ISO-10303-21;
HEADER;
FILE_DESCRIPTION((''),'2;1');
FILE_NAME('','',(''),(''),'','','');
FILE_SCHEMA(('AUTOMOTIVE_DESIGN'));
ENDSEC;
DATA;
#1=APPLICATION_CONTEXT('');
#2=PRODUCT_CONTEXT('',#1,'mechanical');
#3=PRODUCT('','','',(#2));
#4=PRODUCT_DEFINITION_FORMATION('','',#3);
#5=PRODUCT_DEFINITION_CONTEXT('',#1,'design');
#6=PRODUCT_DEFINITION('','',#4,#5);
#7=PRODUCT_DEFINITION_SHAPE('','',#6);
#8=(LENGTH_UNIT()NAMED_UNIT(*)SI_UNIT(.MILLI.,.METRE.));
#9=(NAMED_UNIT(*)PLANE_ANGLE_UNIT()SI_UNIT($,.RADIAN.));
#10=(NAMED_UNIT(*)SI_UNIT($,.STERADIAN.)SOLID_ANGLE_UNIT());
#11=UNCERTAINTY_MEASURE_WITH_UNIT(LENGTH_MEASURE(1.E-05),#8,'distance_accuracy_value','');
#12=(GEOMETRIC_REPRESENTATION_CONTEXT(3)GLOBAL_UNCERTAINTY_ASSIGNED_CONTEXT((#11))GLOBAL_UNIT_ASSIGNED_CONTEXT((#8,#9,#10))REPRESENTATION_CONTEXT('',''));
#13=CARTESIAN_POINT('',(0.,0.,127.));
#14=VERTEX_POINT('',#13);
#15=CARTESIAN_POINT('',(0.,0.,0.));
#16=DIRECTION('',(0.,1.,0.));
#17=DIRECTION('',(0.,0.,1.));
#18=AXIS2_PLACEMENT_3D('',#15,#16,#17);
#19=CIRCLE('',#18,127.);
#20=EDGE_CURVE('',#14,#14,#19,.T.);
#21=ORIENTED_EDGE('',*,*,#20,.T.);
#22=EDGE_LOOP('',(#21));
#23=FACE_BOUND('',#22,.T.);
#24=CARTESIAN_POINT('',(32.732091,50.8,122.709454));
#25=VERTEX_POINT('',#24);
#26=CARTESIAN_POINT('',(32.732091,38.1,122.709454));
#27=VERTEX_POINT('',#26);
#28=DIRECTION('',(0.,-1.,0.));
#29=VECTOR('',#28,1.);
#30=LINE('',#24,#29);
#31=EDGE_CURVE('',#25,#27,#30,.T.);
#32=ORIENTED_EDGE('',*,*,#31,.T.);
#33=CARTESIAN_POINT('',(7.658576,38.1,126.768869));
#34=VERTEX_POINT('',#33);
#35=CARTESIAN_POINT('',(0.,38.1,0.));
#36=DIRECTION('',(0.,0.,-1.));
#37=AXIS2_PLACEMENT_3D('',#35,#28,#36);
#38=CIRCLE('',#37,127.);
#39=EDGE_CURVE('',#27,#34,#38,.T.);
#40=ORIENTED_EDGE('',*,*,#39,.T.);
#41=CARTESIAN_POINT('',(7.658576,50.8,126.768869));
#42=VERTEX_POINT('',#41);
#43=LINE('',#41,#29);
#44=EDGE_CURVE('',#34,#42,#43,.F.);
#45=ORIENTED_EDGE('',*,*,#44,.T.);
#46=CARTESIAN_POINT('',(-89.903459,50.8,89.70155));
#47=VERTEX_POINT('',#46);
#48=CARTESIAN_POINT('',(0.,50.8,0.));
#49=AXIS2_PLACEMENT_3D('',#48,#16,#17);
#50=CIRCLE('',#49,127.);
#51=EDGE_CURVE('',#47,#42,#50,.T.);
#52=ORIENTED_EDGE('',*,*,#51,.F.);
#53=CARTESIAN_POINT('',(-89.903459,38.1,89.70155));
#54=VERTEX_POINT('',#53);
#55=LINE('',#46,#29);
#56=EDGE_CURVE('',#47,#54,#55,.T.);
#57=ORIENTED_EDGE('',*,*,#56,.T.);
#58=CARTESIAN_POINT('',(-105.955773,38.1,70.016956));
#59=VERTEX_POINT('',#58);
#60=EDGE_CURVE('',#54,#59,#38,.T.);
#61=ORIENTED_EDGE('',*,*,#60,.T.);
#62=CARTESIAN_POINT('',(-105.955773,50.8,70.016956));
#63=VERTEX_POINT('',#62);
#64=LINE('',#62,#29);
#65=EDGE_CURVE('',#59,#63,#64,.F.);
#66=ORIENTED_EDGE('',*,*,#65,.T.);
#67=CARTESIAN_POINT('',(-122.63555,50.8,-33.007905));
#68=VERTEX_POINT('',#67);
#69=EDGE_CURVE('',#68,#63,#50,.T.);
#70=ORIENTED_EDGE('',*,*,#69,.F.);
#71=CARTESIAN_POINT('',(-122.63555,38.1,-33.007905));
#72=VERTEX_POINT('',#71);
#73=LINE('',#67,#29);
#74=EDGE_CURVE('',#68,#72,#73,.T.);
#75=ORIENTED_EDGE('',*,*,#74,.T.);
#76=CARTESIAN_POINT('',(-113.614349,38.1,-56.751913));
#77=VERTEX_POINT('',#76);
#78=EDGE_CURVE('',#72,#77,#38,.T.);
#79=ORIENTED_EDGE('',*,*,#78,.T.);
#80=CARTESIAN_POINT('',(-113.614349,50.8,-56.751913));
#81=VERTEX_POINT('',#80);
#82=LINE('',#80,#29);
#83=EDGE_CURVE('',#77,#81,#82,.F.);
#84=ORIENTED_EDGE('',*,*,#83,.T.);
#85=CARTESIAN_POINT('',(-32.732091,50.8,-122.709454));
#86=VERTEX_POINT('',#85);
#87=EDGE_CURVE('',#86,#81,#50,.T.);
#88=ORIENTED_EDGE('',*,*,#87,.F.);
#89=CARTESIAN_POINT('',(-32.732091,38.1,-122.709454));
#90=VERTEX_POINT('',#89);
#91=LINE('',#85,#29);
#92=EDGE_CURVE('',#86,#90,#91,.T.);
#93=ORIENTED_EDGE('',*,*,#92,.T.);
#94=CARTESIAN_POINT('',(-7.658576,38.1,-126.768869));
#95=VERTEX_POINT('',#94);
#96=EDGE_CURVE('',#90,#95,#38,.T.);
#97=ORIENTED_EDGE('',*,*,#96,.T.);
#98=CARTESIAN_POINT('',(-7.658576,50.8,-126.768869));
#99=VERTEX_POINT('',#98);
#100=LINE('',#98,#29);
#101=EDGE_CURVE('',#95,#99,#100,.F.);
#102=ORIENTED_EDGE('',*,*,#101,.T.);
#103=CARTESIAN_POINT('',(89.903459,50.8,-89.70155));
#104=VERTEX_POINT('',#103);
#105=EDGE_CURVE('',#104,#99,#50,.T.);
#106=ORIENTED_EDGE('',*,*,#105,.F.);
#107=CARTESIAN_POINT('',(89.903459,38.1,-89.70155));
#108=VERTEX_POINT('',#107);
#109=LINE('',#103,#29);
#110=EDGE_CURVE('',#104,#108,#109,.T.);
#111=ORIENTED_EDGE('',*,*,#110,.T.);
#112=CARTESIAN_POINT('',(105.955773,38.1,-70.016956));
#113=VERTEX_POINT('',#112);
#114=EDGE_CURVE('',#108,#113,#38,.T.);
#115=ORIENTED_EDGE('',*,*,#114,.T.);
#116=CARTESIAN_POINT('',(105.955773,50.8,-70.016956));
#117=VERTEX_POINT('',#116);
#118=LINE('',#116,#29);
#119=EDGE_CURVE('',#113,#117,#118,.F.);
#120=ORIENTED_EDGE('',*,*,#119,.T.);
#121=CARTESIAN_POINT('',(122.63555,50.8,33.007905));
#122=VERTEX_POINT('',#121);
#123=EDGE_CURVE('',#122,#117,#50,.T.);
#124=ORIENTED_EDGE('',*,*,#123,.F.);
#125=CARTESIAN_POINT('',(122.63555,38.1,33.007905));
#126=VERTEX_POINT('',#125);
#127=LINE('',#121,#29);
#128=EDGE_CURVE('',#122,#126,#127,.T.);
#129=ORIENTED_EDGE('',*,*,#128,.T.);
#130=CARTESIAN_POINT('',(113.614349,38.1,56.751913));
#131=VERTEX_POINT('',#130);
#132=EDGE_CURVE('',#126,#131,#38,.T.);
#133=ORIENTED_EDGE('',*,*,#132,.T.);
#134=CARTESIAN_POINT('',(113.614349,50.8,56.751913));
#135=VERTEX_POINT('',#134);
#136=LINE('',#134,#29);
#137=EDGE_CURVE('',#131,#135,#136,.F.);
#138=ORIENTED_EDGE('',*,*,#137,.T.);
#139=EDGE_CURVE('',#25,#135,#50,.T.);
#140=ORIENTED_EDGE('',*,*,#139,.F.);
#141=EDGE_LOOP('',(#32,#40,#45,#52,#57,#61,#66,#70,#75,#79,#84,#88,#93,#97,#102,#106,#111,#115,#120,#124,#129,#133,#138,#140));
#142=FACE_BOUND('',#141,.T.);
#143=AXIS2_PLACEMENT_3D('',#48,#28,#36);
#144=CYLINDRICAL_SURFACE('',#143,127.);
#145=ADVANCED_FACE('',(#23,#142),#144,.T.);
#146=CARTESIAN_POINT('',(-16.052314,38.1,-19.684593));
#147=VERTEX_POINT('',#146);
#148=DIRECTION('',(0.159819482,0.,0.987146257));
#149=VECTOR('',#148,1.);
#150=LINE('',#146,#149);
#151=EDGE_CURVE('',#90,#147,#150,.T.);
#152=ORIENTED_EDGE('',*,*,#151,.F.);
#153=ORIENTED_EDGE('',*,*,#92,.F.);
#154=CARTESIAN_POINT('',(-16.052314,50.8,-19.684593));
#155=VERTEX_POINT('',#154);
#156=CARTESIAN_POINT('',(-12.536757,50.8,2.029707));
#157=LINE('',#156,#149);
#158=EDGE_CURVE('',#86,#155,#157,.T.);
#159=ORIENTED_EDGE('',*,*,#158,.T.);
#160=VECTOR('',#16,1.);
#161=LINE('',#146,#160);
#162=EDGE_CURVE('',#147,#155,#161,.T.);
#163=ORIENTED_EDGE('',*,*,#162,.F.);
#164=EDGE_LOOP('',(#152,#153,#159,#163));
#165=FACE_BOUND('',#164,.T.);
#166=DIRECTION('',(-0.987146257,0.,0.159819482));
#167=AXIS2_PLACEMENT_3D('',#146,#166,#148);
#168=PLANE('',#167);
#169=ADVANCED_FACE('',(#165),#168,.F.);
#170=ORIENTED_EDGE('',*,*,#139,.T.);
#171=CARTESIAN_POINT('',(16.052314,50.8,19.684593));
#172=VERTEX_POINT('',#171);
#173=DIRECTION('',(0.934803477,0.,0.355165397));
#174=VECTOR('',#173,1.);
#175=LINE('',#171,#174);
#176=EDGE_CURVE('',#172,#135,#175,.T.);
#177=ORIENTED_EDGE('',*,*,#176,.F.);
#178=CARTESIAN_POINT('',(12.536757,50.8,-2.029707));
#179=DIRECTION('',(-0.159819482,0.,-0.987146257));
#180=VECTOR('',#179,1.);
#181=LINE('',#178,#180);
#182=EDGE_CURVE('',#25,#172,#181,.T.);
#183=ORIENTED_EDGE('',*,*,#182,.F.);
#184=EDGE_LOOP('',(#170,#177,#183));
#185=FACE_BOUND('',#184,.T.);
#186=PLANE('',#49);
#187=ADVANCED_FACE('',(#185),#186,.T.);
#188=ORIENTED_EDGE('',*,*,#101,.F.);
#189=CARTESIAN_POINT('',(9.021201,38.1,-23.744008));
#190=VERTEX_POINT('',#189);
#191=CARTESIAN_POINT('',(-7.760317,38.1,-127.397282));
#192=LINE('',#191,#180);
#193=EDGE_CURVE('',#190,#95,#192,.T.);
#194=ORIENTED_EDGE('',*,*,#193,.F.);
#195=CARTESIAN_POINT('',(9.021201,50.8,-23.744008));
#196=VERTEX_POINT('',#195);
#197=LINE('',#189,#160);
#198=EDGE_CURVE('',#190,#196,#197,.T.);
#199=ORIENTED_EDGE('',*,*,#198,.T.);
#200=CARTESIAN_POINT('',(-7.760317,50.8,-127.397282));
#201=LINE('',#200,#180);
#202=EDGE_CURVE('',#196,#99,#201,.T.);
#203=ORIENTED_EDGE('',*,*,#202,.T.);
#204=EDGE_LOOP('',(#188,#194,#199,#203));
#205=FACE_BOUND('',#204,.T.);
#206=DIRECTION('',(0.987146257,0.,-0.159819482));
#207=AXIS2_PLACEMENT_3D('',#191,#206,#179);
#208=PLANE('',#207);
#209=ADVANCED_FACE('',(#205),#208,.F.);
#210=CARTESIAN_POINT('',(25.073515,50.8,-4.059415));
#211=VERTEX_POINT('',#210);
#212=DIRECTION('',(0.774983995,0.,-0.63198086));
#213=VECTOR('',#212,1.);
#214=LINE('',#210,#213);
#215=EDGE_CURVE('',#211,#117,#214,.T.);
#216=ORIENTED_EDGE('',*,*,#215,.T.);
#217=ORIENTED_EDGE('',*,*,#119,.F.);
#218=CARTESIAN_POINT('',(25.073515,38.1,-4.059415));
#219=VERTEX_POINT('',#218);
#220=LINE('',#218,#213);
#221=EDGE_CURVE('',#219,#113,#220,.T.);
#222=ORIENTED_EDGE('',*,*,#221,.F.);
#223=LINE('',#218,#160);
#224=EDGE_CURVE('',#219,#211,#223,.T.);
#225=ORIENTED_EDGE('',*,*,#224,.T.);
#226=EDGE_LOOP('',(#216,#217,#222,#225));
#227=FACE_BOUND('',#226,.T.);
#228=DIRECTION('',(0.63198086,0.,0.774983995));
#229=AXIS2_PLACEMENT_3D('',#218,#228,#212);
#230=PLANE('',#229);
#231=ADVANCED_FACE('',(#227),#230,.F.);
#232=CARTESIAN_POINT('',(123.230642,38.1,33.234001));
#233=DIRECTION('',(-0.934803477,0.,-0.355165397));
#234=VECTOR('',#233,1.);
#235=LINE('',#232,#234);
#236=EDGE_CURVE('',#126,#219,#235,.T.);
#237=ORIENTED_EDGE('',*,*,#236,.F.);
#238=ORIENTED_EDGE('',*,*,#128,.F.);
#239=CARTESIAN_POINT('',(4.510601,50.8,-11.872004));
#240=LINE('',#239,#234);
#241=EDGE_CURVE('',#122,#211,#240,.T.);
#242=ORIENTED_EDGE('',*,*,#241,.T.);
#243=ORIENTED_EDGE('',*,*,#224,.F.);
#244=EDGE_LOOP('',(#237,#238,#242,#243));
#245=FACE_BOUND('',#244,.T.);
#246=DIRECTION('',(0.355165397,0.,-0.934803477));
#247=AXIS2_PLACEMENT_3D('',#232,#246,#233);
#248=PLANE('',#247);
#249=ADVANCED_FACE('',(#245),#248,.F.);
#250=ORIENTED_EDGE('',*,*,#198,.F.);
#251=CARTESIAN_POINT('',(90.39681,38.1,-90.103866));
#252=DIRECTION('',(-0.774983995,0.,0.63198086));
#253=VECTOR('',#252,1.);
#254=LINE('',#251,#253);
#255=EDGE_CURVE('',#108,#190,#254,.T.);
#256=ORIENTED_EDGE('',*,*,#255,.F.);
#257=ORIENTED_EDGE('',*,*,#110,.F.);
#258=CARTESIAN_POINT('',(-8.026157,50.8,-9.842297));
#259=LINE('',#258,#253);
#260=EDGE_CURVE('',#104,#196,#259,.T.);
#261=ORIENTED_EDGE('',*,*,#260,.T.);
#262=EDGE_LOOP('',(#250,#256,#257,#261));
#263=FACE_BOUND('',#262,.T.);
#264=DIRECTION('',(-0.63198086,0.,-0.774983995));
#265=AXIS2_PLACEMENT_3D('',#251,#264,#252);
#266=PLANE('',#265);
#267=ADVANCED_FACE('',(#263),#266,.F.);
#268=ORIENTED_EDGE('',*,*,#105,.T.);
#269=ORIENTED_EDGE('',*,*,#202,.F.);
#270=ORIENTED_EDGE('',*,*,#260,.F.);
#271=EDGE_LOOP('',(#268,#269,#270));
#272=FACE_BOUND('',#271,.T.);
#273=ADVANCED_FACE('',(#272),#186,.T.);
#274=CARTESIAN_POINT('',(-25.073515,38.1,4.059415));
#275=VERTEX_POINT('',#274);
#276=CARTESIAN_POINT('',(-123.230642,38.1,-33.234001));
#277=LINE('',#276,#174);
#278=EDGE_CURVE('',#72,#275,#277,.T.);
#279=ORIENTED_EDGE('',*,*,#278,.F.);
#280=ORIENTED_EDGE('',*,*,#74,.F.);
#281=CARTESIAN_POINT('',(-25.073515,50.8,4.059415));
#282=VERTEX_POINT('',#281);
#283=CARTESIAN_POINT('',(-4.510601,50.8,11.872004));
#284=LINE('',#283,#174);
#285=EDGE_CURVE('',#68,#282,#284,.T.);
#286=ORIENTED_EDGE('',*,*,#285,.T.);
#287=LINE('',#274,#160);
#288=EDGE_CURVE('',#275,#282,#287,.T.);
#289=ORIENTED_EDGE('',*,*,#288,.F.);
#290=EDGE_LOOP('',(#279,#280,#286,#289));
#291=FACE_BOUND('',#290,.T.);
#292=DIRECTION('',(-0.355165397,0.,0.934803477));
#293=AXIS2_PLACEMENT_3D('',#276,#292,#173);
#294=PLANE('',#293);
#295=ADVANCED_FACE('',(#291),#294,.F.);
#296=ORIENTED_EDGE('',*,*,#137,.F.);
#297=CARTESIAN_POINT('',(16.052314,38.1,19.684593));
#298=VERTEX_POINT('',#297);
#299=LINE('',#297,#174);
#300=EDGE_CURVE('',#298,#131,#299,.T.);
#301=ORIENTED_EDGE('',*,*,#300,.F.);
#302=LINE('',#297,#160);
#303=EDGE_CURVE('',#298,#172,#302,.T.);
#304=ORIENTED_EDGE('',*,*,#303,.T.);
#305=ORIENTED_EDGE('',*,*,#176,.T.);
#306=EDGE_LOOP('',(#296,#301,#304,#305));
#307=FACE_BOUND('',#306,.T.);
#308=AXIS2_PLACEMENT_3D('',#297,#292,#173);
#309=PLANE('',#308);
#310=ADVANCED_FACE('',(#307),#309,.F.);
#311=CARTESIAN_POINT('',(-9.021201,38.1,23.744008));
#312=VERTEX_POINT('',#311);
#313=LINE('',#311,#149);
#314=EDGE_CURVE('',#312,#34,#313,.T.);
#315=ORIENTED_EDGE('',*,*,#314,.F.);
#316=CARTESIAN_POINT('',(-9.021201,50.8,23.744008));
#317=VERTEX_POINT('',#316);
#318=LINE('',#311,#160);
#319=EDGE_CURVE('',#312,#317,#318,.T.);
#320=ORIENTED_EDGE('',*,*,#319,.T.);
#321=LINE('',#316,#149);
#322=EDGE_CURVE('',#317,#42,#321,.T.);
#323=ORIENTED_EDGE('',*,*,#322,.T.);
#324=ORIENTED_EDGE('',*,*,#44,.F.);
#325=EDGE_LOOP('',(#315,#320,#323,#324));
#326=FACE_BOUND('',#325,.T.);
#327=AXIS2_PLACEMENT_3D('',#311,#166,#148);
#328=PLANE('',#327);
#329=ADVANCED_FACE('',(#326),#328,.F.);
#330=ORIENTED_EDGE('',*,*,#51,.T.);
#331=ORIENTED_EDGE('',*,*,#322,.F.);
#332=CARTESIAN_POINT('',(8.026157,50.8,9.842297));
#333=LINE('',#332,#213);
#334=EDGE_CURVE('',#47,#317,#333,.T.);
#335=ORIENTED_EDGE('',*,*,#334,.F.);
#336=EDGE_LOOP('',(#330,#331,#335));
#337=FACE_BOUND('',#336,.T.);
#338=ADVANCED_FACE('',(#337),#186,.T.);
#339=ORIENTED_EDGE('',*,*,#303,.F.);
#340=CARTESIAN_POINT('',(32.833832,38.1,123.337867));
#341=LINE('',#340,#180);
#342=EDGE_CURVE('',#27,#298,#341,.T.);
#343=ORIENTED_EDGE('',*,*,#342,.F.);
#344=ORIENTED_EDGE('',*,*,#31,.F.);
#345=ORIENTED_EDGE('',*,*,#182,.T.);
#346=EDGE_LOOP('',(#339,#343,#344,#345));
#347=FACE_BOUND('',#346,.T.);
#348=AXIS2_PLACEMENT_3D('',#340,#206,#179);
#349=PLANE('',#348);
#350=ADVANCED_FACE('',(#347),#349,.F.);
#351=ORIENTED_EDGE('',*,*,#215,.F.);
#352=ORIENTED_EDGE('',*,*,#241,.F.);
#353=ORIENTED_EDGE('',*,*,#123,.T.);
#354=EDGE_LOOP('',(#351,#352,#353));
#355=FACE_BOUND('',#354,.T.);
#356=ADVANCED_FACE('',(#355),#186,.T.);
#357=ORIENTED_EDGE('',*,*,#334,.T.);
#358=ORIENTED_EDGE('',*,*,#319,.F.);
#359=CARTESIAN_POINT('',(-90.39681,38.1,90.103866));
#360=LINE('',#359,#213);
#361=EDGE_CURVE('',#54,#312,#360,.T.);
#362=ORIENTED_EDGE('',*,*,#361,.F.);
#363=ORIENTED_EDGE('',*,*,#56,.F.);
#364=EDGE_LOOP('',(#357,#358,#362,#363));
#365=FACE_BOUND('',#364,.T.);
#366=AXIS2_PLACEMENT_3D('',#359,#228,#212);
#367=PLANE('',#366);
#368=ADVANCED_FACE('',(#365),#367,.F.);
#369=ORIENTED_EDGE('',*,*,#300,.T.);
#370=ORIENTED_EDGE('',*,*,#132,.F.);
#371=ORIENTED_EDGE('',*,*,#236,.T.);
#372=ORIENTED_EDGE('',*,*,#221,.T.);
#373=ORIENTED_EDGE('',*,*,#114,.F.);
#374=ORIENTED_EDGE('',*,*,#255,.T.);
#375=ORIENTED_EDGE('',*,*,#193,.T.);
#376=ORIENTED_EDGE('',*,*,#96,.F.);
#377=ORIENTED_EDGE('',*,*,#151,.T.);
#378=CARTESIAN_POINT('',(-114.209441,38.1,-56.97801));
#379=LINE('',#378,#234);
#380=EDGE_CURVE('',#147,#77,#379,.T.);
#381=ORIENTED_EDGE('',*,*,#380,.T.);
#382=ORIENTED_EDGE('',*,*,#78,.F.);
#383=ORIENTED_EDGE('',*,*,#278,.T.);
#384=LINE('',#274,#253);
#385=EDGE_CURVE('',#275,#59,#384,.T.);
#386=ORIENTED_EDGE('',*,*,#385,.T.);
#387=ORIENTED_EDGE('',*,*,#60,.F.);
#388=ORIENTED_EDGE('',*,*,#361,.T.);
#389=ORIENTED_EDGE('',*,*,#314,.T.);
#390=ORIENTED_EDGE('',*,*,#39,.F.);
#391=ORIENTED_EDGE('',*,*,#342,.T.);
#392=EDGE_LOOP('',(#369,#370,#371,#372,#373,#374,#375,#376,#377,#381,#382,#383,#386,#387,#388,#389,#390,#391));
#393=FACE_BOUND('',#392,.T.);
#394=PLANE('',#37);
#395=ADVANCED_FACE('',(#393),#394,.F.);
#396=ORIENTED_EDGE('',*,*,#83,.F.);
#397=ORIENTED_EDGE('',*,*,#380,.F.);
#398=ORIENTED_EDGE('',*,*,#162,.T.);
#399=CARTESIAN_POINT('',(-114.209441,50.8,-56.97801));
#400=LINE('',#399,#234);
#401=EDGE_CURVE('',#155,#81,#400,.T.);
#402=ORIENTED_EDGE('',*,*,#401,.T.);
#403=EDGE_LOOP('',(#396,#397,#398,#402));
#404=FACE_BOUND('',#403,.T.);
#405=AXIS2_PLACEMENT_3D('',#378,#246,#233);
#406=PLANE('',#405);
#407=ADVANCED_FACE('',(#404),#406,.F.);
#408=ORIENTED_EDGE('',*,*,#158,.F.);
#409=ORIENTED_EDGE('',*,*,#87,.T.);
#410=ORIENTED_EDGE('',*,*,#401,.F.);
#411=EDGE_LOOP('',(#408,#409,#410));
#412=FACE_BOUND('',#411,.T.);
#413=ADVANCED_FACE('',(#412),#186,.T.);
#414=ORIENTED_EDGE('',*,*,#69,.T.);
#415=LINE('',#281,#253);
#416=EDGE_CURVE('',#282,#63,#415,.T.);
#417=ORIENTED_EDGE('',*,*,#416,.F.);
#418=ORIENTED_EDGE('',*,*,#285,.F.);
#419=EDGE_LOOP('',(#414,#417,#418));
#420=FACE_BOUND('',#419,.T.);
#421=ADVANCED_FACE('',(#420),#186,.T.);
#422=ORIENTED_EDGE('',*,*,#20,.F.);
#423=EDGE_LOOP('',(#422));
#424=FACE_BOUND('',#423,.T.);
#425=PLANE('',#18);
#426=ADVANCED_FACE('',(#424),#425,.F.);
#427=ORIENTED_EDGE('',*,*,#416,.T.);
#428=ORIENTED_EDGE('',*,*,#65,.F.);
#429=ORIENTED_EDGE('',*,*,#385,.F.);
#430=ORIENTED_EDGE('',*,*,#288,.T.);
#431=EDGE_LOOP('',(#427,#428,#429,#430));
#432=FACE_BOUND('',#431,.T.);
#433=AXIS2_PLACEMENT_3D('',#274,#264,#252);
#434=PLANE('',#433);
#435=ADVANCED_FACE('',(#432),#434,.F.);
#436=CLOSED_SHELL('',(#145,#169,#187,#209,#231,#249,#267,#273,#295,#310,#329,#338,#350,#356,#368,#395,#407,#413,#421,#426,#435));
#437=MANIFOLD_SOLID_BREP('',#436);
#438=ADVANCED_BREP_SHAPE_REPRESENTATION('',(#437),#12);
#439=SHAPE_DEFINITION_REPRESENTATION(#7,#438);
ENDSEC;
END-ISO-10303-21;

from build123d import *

# Parameters (mm, degrees)
SKETCH1_R           = 127
BOSS_EXTRUDE1_DEPTH = 50.8
CUT_EXTRUDE1_DEPTH  = 12.7


with BuildPart() as part:
    # Sketch1 → Boss-Extrude1 (new body)
    with BuildSketch(Plane(origin=(0, 0, 0), x_dir=(1, 0, 0), z_dir=(0, 1, 0))):
        with Locations(Location((0, 0, 0), (0, 0, 270))):
            Circle(SKETCH1_R)
    extrude(amount=BOSS_EXTRUDE1_DEPTH)

    # Sketch2 → Cut-Extrude1 (cut)
    with BuildSketch(Plane(origin=(0, 50.8, 0), x_dir=(1, 0, 0), z_dir=(0, 1, 0))):
        Polygon((-90.39681042, -90.103865988), (-106.44912427, -70.419272519), (-25.073514933, -4.05941485), (-123.230642135, 33.23400125), (-114.209441053, 56.978009569), (-16.052313851, 19.684593469), (-32.833831715, 123.337867238), (-7.760316782, 127.397282088), (9.021201082, 23.744008319), (90.39681042, 90.103865988), (106.44912427, 70.419272519), (25.073514933, 4.05941485), (123.230642135, -33.23400125), (114.209441053, -56.978009569), (16.052313851, -19.684593469), (32.833831715, -123.337867238), (7.760316782, -127.397282088), (-9.021201082, -23.744008319), align=None)
    extrude(amount=-CUT_EXTRUDE1_DEPTH, mode=Mode.SUBTRACT)


solid = part.part
